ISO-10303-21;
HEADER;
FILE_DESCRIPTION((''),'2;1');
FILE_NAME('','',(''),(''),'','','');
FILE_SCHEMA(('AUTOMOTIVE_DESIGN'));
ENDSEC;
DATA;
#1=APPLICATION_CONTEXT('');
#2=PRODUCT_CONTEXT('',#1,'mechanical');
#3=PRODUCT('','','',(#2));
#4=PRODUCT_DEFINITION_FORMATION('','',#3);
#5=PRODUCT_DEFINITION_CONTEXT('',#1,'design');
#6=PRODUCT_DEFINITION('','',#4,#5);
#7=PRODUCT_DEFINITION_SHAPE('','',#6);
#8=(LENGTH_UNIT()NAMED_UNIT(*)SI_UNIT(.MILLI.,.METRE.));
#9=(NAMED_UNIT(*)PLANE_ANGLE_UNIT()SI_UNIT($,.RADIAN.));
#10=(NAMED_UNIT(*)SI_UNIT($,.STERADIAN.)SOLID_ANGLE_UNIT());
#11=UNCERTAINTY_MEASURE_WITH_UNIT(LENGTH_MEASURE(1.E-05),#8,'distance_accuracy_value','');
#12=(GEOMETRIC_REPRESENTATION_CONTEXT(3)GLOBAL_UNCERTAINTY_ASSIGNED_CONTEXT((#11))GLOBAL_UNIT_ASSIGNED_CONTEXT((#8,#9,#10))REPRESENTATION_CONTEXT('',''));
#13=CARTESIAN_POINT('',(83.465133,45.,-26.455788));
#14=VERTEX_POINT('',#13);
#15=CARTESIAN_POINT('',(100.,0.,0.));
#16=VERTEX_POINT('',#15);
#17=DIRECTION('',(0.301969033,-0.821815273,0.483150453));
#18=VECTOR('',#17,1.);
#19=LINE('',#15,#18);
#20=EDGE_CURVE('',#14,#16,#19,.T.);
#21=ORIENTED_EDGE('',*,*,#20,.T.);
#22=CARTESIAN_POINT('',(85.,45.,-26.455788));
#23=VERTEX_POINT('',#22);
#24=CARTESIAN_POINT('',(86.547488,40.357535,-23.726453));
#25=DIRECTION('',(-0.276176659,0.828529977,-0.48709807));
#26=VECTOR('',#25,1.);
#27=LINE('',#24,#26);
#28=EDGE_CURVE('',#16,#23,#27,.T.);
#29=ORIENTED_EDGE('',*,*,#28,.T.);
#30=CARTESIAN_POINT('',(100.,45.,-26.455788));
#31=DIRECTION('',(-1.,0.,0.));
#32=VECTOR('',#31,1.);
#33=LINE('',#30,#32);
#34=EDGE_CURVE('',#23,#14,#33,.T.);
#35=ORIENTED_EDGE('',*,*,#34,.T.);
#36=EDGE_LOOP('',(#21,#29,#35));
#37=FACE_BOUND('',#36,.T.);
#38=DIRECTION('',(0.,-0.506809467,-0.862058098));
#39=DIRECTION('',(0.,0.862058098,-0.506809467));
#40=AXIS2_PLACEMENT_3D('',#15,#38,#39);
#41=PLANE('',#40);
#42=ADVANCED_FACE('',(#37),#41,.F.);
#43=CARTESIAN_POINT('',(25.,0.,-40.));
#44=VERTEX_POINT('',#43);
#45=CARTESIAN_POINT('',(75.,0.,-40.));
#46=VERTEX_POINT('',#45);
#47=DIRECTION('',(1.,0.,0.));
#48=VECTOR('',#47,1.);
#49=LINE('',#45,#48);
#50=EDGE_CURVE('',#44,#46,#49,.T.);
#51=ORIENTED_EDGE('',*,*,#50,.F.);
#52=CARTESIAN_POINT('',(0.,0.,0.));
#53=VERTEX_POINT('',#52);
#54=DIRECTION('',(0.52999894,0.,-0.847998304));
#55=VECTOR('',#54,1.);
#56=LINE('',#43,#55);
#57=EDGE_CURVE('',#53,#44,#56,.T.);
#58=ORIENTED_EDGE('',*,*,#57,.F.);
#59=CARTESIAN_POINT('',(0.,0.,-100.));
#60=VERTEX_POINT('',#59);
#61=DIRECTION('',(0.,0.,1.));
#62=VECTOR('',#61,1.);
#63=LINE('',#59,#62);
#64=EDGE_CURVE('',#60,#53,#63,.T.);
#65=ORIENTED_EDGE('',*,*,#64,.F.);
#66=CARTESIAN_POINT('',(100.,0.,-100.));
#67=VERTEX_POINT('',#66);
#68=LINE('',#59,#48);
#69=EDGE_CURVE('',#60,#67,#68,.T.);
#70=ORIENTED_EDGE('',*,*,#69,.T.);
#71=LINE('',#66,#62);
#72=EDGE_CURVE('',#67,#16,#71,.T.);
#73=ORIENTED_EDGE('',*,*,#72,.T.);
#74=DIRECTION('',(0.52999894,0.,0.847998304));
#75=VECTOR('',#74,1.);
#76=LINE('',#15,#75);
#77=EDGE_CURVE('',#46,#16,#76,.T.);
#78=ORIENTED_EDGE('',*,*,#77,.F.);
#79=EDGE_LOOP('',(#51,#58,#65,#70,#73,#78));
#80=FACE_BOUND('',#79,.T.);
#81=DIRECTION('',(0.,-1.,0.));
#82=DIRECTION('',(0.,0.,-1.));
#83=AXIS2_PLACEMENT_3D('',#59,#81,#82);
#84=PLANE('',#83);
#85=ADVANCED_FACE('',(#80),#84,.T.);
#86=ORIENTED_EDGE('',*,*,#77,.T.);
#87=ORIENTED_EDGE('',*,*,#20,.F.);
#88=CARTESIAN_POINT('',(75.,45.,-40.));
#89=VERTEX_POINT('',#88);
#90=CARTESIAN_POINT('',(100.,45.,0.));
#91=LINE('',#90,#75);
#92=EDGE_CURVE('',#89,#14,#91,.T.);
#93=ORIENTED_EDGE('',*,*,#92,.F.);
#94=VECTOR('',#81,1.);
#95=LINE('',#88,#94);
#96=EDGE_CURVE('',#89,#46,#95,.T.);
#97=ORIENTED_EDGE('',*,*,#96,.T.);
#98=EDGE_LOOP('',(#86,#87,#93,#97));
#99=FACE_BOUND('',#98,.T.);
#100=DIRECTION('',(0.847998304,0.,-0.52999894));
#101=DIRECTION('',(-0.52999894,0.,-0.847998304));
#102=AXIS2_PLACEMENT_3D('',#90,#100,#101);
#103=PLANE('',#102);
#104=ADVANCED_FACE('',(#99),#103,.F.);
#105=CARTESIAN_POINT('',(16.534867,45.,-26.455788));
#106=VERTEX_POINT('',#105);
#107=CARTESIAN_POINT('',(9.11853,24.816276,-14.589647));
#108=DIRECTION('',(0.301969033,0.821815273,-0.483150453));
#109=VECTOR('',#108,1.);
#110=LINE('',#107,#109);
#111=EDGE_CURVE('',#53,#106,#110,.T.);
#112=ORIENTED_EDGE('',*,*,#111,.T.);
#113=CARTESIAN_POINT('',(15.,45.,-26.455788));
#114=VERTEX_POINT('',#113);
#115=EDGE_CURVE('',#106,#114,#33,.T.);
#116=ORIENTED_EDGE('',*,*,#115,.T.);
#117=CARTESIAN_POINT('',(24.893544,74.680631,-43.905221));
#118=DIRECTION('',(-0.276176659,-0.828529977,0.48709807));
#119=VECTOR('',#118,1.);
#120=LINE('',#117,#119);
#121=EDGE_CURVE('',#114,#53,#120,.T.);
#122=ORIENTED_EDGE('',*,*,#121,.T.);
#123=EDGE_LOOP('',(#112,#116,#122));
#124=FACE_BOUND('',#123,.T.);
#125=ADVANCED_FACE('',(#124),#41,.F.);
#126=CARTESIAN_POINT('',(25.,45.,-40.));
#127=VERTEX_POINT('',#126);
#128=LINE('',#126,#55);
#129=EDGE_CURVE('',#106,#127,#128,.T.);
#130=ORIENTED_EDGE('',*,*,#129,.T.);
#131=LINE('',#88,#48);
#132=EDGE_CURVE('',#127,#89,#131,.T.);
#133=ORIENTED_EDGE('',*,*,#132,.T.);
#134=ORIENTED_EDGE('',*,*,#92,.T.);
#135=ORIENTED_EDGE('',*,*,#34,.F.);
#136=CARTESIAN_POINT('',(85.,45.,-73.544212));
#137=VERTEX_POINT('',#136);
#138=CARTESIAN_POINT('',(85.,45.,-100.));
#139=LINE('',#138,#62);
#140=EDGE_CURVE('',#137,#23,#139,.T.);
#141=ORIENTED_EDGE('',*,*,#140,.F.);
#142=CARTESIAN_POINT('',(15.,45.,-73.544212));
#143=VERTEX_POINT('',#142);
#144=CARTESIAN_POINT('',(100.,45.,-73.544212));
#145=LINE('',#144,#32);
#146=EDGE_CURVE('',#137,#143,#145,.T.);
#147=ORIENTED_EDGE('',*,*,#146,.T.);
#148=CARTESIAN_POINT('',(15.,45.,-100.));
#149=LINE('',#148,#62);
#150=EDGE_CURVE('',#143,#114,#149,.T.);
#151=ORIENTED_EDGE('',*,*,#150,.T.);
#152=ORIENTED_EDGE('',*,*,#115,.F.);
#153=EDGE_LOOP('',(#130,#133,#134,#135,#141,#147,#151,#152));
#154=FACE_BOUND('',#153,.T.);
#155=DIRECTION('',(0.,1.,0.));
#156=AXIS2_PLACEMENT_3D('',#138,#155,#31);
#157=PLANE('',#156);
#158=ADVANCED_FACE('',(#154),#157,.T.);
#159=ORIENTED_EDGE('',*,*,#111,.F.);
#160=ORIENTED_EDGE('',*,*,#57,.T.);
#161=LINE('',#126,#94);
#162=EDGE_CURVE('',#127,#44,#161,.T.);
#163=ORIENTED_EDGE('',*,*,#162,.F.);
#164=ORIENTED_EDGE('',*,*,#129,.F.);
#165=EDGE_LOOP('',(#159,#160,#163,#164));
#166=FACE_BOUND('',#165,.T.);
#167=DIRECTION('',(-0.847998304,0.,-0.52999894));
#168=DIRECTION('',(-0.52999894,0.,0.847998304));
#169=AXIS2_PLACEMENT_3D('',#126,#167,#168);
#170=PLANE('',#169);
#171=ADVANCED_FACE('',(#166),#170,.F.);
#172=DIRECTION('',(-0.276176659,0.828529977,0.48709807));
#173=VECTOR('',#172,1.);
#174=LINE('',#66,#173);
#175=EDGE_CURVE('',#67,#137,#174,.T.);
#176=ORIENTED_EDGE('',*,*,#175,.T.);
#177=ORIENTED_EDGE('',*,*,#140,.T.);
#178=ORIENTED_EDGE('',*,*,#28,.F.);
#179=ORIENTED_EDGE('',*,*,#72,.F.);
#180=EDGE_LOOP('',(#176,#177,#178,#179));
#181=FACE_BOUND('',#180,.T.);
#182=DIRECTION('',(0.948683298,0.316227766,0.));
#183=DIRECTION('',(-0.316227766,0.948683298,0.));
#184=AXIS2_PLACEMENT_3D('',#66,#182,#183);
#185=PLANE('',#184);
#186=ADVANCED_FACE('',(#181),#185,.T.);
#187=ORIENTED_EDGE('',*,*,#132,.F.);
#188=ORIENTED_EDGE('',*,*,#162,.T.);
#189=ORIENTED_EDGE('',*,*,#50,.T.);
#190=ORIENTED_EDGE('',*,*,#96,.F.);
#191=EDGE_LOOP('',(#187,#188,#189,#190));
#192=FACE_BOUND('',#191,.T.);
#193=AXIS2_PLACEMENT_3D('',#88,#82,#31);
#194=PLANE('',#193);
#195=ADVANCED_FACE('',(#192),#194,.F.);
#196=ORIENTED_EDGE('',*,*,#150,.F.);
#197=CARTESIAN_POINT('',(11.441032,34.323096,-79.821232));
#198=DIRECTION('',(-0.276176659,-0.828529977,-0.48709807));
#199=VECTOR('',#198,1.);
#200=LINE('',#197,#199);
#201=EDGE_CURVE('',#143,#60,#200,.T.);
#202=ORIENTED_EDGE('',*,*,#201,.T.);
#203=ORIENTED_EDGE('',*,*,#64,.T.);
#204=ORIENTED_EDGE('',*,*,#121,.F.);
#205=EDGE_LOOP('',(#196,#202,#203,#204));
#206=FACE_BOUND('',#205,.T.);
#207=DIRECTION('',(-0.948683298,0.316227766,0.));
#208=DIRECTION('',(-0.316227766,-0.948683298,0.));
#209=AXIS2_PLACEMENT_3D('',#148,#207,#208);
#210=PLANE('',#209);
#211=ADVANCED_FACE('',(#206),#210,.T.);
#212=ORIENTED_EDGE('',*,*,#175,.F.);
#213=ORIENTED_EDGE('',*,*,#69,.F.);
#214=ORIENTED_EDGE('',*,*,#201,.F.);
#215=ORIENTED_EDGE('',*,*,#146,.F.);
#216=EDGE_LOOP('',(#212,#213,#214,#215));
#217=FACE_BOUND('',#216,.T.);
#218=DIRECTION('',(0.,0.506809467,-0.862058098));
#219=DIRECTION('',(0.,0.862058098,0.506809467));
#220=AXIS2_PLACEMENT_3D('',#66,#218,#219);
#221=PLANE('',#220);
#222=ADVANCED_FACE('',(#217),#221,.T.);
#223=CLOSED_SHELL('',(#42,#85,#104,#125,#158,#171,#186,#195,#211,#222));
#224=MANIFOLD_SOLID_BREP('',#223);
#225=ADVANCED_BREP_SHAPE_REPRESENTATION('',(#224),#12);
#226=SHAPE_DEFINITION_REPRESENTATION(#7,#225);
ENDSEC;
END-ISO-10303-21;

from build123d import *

# Parameters (mm, degrees)
GRUNDK_RPER_DEPTH               = 100
SCHRAEGEN_VORNE_DEPTH           = 100
SCHNITT_LINEAR_AUSTRAGEN4_DEPTH = 45


with BuildPart() as part:
    # Skizze1 → Grundkörper (new body)
    with BuildSketch(Plane.XY):
        Polygon((0, 0), (100, 0), (85, 45), (15, 45), align=None)
    extrude(amount=-GRUNDK_RPER_DEPTH)

    # Skizze2 → Schraegen_vorne (cut)
    with BuildSketch(Plane(origin=(0, 0, 0), x_dir=(0, 0, -1), z_dir=(1, 0, 0))):
        Polygon((100, 0), (73.544212344, 45), (100, 45), align=None)
    schraegen_vorne = extrude(amount=SCHRAEGEN_VORNE_DEPTH, mode=Mode.SUBTRACT)

    # Spiegel_Schraege_hinten: Schraegen_vorne across plane
    add(schraegen_vorne.mirror(Plane.XY.offset(-50)), mode=Mode.SUBTRACT)

    # Skizze4 → Schnitt-Linear austragen4 (cut)
    with BuildSketch(Plane.XZ):
        Polygon((100, 0), (75, -40), (25, -40), (0, 0), align=None)
    extrude(amount=-SCHNITT_LINEAR_AUSTRAGEN4_DEPTH, mode=Mode.SUBTRACT)


solid = part.part
